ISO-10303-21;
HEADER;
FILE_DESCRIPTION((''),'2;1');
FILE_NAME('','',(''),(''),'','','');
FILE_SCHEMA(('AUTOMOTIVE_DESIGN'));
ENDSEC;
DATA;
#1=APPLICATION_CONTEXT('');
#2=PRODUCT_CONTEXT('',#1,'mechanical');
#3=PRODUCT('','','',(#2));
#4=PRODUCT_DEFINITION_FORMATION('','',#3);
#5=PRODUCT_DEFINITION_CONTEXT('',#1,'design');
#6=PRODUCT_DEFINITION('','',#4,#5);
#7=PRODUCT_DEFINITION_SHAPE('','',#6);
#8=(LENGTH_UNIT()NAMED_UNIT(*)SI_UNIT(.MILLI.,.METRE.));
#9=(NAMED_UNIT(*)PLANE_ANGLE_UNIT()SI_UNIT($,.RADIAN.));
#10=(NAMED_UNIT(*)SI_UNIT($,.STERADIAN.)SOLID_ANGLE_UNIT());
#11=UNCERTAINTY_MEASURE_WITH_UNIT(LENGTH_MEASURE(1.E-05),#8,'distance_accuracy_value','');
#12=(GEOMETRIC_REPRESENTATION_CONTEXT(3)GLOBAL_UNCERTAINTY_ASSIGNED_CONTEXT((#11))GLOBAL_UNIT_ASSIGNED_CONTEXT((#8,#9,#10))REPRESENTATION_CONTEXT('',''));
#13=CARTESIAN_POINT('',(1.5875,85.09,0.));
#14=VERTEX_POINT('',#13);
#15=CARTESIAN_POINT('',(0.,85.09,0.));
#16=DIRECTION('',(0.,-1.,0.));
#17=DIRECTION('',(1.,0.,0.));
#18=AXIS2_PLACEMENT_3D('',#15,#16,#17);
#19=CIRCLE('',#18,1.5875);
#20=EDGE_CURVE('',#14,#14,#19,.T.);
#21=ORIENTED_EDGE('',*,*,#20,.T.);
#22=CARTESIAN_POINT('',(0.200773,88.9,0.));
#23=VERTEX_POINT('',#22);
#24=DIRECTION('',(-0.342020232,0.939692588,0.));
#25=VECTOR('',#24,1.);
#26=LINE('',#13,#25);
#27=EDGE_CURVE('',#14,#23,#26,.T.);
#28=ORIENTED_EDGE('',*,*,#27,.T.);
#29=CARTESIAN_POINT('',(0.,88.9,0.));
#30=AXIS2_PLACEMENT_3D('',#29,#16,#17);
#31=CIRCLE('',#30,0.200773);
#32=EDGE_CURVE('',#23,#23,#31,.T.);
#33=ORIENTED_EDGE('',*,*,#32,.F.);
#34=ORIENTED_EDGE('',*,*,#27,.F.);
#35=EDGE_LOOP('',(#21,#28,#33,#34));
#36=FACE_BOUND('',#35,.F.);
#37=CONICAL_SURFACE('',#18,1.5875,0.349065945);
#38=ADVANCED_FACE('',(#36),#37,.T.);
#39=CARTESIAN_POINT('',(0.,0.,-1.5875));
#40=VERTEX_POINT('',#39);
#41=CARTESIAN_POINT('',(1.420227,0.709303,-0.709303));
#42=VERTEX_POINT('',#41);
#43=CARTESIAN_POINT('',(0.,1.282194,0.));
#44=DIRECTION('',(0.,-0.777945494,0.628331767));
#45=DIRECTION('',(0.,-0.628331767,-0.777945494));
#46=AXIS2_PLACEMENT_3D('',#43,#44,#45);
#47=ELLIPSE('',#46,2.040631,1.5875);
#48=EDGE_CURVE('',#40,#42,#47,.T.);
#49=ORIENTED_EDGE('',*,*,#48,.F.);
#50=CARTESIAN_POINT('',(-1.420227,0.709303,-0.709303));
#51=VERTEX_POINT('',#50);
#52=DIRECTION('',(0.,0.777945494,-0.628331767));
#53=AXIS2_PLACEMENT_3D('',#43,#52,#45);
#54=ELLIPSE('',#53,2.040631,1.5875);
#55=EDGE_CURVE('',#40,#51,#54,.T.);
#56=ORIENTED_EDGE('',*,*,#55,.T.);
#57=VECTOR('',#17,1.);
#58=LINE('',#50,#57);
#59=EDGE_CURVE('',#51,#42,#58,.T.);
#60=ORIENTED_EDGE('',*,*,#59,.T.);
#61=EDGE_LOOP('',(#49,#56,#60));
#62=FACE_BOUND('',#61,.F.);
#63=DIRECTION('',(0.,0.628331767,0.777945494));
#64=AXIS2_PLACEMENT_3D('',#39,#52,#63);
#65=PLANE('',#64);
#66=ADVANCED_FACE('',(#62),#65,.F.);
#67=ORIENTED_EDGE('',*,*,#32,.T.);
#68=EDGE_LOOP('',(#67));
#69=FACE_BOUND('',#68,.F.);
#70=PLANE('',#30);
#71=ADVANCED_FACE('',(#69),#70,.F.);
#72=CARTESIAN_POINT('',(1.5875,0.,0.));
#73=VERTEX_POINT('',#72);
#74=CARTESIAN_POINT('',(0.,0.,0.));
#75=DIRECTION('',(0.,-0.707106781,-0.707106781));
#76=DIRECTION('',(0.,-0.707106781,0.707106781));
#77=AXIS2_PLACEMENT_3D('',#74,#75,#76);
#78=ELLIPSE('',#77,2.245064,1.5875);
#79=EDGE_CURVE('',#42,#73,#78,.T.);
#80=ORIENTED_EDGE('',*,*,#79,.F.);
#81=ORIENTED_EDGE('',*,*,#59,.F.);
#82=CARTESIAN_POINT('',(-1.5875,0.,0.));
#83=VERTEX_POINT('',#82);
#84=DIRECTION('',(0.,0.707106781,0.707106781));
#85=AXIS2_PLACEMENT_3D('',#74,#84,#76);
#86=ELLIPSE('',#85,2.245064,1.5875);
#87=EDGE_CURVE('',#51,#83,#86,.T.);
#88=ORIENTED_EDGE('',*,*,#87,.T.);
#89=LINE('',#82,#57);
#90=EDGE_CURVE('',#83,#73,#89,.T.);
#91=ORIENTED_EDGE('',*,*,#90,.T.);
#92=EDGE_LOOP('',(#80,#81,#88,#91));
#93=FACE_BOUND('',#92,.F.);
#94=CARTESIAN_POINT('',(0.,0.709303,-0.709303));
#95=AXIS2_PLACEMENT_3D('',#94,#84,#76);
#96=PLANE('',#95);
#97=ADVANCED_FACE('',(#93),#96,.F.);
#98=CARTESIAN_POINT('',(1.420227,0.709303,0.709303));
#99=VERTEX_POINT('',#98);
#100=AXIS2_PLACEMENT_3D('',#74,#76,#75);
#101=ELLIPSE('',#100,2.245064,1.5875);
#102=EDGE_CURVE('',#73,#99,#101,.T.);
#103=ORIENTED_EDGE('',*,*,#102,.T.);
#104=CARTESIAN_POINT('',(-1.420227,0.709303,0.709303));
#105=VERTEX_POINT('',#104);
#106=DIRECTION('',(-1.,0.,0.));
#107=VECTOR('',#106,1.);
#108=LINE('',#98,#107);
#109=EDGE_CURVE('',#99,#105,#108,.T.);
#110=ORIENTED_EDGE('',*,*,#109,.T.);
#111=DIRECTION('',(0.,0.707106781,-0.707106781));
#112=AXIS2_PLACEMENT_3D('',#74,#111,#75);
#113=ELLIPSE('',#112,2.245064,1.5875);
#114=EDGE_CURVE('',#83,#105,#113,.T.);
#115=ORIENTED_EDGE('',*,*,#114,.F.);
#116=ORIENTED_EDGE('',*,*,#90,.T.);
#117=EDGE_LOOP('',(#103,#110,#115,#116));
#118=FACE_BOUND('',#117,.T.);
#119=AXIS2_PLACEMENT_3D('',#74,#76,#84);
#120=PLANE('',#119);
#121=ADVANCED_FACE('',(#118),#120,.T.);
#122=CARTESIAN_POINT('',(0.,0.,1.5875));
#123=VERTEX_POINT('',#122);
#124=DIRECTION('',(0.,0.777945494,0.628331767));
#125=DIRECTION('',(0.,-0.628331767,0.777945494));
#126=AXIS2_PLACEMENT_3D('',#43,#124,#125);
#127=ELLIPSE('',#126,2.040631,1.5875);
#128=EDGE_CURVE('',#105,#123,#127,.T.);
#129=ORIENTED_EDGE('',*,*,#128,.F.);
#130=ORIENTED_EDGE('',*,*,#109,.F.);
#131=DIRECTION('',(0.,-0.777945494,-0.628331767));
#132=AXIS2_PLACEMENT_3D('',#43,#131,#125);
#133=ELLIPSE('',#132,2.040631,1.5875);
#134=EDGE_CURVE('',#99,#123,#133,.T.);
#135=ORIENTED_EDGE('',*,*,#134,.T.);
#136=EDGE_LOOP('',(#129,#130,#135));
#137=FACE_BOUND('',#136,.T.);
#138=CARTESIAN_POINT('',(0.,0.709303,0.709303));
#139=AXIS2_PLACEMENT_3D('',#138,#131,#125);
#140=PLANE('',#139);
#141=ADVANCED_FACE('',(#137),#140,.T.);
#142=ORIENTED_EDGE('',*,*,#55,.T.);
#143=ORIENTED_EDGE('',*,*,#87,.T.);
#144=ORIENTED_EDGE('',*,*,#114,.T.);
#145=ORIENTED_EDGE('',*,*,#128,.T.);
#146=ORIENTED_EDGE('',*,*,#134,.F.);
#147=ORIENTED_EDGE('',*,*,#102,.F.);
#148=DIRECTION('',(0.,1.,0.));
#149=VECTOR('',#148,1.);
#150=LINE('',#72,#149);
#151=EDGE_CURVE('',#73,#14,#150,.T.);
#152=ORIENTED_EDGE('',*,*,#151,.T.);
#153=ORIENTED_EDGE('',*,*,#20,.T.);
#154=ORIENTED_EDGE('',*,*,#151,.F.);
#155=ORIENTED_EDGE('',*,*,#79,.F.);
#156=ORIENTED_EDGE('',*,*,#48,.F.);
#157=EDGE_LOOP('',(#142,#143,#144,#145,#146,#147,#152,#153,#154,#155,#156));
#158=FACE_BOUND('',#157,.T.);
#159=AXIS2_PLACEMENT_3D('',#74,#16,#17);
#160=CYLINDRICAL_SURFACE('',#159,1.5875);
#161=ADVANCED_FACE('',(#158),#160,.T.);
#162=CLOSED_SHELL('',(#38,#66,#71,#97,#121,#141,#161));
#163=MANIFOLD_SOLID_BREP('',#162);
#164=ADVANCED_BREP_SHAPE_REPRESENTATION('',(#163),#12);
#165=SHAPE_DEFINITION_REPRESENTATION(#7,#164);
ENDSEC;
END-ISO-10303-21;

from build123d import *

# Parameters (mm, degrees)
F0_R     = 1.5875
F1_DEPTH = 88.9
F2_SIZE2 = 1.386727
F2_SIZE  = 3.81
F4_DEPTH = 25.4
F5_DEPTH = 25.4


with BuildPart() as f1:
    # F0 (on Front) → F1 (new body)
    with BuildSketch(Plane.XZ):
        Circle(F0_R)
    extrude(amount=-F1_DEPTH)

    # F2
    f2_edges = [f1.edges().sort_by_distance(p)[0] for p in [
        (-1.5875, 88.9, 0),
    ]]
    chamfer(f2_edges, length=F2_SIZE, length2=F2_SIZE2)

    # F3 (on Right) → F4 (cut)
    with BuildSketch(Plane.YZ):
        Polygon((0.709303, -0.709303), (0, 0), (0, -1.5875), align=None)
        Polygon((0.709303, 0.709303), (0, 1.5875), (0, 0), align=None)
    extrude(amount=-F4_DEPTH, mode=Mode.SUBTRACT)

    # F3 (on Right) → F5 (cut)
    with BuildSketch(Plane.YZ):
        Polygon((0.709303, -0.709303), (0, 0), (0, -1.5875), align=None)
        Polygon((0.709303, 0.709303), (0, 1.5875), (0, 0), align=None)
    extrude(amount=F5_DEPTH, mode=Mode.SUBTRACT)


solid = f1.part
